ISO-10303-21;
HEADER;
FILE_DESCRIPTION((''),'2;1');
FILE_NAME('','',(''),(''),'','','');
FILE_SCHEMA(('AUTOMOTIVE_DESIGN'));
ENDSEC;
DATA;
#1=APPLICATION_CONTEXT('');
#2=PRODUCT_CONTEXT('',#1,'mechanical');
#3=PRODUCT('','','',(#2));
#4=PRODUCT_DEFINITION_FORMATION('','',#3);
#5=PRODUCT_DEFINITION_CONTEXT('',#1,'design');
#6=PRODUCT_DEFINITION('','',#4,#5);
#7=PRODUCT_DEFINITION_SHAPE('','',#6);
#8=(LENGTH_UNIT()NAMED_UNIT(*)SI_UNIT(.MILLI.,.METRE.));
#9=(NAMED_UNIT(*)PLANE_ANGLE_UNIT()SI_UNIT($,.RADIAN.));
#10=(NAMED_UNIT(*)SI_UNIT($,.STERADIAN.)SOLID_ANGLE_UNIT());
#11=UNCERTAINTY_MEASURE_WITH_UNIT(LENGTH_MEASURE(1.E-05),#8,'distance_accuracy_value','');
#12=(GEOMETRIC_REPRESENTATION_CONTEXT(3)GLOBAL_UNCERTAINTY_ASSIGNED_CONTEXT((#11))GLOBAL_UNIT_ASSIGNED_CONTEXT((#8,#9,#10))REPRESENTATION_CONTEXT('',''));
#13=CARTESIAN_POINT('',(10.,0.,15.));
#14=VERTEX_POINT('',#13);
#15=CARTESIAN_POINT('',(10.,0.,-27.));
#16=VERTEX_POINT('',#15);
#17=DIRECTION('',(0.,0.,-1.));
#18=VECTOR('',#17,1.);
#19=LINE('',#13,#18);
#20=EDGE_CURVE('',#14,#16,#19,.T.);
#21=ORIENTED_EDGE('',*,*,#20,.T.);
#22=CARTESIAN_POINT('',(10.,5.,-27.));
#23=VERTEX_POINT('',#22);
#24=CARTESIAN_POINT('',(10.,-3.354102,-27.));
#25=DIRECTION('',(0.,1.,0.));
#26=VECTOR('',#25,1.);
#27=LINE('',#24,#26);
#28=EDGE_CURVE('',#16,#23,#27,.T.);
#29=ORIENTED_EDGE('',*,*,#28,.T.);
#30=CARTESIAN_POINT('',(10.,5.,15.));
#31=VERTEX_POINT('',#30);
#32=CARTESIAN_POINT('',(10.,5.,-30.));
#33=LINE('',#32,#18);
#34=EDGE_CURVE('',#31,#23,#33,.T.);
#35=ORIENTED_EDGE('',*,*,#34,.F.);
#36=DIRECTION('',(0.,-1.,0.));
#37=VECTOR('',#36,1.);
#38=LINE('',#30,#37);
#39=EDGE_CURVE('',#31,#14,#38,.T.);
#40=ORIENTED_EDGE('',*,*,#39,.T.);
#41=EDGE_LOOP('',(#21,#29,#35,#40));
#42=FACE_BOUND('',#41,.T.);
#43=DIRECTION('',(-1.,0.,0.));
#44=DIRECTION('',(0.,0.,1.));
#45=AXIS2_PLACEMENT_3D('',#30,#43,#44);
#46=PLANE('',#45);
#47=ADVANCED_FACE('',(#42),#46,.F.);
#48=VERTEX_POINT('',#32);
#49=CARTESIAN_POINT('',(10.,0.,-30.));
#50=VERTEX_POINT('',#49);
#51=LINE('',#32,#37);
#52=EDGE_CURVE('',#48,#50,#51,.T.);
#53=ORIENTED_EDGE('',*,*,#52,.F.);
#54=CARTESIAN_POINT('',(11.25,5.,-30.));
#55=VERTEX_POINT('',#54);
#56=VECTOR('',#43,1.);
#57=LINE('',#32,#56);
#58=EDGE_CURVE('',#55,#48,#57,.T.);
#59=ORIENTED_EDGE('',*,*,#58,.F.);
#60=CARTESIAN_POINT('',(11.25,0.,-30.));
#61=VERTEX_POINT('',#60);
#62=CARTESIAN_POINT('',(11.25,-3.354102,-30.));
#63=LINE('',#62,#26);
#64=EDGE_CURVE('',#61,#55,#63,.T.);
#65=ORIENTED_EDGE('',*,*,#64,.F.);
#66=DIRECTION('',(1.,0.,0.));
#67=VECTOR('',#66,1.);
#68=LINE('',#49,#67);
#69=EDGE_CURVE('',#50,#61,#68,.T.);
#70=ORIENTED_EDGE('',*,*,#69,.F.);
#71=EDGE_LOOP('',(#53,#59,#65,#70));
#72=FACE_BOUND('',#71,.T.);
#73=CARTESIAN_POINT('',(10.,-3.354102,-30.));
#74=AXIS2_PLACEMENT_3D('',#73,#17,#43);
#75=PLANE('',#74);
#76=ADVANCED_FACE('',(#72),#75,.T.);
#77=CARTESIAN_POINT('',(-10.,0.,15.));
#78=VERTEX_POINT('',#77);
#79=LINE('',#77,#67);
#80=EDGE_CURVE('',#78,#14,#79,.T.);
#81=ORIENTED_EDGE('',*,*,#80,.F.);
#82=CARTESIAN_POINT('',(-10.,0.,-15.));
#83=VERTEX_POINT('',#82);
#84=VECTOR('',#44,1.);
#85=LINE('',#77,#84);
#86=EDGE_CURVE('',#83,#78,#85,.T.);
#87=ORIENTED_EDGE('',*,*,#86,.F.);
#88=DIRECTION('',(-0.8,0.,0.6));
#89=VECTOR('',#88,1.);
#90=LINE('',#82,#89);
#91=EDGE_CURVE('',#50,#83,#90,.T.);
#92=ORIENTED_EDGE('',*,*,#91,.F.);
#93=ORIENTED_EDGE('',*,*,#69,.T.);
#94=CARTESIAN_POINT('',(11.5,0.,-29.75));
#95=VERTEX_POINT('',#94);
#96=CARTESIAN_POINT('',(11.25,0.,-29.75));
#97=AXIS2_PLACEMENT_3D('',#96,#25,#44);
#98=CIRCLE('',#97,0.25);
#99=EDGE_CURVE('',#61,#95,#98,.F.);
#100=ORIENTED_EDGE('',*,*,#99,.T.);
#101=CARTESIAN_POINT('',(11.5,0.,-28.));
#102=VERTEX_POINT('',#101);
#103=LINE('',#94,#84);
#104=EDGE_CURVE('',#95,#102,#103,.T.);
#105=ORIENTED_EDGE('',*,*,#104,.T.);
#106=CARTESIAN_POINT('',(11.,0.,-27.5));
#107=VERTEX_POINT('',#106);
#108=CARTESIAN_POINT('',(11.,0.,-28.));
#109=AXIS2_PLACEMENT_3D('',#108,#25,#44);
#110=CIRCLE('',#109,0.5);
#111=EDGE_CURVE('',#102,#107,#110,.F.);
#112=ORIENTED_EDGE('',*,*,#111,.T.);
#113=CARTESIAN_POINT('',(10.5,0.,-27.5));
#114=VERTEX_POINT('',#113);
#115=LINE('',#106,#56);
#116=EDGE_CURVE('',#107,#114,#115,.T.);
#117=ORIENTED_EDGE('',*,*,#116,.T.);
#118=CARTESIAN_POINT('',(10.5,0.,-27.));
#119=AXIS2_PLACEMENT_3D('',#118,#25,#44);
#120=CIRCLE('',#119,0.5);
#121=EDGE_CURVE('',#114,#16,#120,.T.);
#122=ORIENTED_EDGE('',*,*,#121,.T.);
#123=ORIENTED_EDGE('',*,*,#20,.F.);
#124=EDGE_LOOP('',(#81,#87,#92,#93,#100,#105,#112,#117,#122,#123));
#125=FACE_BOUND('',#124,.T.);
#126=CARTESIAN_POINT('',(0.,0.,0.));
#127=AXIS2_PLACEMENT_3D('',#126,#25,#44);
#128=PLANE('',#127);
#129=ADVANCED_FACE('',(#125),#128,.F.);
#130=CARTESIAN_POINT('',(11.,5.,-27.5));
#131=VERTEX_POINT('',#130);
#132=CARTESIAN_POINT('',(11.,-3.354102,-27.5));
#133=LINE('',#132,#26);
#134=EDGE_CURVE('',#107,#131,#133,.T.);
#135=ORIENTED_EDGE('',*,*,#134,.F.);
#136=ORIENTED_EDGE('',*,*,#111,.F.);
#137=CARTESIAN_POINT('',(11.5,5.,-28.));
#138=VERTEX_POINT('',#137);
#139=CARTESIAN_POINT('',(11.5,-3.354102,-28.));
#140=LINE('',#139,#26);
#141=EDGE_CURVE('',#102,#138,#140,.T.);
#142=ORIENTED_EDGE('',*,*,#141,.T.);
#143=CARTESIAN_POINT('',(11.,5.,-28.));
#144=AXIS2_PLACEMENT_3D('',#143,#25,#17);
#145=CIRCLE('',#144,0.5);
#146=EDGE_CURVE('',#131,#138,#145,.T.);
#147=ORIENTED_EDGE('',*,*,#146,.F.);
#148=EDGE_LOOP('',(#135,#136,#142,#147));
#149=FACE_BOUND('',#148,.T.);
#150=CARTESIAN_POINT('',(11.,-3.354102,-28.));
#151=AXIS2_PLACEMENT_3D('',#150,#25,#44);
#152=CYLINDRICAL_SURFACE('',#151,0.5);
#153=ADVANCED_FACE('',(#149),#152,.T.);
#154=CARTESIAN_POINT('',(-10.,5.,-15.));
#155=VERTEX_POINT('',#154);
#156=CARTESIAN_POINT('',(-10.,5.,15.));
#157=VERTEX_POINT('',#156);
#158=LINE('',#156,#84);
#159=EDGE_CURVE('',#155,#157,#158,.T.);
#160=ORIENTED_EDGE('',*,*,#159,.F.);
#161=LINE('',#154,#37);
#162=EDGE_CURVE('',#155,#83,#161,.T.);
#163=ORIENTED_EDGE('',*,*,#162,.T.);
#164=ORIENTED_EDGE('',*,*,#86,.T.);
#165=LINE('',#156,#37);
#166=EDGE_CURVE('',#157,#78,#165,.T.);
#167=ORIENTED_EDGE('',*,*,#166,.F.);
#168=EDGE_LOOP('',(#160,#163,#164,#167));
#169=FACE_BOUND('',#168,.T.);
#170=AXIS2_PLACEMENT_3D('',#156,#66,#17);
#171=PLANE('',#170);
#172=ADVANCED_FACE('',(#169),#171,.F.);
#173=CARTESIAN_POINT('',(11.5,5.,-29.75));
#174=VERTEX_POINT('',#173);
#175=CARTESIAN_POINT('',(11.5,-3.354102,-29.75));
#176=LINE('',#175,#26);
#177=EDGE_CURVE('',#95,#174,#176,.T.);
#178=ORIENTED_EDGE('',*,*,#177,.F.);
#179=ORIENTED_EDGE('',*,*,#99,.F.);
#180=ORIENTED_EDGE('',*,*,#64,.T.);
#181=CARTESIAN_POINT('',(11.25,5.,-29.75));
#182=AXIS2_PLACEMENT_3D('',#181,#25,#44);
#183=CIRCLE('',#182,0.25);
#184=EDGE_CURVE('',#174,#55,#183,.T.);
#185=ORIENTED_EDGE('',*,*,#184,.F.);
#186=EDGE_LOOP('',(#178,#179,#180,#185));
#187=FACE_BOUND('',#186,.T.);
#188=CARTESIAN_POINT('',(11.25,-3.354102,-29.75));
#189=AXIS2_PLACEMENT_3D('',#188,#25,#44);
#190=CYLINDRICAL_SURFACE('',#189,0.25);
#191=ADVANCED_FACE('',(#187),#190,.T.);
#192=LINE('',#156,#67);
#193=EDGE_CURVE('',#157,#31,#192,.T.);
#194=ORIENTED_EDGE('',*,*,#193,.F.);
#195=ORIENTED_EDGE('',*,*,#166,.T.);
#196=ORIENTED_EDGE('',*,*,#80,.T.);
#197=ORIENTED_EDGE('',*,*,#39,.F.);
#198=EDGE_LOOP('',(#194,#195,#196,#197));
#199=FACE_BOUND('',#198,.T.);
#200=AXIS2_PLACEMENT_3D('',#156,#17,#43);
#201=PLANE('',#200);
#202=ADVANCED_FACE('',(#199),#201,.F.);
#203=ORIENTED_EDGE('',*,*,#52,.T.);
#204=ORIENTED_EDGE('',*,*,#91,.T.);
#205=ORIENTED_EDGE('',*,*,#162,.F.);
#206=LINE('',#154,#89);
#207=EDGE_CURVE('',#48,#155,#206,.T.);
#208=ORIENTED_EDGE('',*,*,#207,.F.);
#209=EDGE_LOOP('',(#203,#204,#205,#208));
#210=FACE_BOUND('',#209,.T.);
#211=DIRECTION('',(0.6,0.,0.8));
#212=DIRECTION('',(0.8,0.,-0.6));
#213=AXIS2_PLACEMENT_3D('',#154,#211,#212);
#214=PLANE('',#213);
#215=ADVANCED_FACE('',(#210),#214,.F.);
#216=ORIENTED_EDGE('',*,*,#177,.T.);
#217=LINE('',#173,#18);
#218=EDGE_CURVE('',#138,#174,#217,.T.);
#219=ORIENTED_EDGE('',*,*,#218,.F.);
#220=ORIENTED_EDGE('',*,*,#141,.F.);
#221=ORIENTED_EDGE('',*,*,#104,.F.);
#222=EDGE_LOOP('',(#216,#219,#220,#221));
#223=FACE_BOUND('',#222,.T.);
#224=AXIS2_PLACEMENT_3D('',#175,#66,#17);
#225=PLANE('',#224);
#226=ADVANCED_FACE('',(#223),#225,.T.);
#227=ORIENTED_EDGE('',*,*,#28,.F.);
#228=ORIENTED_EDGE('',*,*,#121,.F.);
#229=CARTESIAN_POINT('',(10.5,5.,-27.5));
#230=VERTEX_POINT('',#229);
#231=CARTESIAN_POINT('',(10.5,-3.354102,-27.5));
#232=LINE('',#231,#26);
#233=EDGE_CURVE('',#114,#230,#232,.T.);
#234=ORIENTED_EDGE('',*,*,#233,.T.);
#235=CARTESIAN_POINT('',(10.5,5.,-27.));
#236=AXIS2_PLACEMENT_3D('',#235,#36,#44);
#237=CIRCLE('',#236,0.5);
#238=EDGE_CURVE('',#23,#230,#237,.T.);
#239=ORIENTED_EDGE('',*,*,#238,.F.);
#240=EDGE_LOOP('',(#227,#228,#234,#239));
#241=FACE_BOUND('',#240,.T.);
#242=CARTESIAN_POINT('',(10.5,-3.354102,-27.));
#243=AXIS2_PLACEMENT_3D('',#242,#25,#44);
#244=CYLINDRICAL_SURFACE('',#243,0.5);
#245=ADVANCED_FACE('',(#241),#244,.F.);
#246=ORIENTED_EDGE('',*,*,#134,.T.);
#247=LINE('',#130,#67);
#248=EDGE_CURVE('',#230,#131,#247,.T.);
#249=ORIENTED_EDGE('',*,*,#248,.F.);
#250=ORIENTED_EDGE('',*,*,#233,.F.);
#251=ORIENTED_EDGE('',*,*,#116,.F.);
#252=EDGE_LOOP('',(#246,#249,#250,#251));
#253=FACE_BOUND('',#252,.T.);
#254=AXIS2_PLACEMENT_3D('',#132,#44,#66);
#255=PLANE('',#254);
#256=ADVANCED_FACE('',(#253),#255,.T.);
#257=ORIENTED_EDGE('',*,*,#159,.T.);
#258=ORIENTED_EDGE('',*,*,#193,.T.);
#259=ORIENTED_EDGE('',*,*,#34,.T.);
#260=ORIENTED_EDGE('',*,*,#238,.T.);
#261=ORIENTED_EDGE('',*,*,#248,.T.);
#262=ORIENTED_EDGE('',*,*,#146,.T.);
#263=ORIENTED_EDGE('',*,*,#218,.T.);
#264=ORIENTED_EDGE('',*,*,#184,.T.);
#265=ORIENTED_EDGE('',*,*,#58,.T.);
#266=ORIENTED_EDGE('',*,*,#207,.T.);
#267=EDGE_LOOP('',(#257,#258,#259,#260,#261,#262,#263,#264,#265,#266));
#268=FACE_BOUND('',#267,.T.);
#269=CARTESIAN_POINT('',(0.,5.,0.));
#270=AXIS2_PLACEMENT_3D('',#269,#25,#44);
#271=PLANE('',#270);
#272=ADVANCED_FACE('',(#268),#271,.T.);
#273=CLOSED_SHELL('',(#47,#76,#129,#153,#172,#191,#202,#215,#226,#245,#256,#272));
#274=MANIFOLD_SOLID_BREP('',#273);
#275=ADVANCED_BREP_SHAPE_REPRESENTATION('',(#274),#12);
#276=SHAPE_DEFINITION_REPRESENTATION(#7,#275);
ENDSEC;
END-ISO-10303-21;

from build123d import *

# Parameters (mm, degrees)
BOSS_EXTRUDE4_DEPTH = 5
BOSS_EXTRUDE5_DEPTH = 5


with BuildPart() as part:
    # Sketch4 → Boss-Extrude4 (new body)
    with BuildSketch(Plane(origin=(0, 0, 0), x_dir=(1, 0, 0), z_dir=(0, 1, 0))):
        Polygon((-10, 15), (10, 30), (10, 15), (10, -15), (-10, -15), align=None)
    extrude(amount=BOSS_EXTRUDE4_DEPTH)

    # Sketch6 → Boss-Extrude5 (add)
    with BuildSketch(Plane(origin=(0, 5, 0), x_dir=(1, 0, 0), z_dir=(0, 1, 0))):
        with BuildLine():
            Line((10, 30), (11.25, 30))
            ThreePointArc((11.25, 30), (11.426776695, 29.926776695), (11.5, 29.75))
            Line((11.5, 29.75), (11.5, 28))
            ThreePointArc((11.5, 28), (11.353553391, 27.646446609), (11, 27.5))
            Line((11, 27.5), (10.5, 27.5))
            ThreePointArc((10.5, 27.5), (10.146446609, 27.353553391), (10, 27))
            Line((10, 27), (10, 30))
        make_face()
    extrude(amount=-BOSS_EXTRUDE5_DEPTH)


solid = part.part
